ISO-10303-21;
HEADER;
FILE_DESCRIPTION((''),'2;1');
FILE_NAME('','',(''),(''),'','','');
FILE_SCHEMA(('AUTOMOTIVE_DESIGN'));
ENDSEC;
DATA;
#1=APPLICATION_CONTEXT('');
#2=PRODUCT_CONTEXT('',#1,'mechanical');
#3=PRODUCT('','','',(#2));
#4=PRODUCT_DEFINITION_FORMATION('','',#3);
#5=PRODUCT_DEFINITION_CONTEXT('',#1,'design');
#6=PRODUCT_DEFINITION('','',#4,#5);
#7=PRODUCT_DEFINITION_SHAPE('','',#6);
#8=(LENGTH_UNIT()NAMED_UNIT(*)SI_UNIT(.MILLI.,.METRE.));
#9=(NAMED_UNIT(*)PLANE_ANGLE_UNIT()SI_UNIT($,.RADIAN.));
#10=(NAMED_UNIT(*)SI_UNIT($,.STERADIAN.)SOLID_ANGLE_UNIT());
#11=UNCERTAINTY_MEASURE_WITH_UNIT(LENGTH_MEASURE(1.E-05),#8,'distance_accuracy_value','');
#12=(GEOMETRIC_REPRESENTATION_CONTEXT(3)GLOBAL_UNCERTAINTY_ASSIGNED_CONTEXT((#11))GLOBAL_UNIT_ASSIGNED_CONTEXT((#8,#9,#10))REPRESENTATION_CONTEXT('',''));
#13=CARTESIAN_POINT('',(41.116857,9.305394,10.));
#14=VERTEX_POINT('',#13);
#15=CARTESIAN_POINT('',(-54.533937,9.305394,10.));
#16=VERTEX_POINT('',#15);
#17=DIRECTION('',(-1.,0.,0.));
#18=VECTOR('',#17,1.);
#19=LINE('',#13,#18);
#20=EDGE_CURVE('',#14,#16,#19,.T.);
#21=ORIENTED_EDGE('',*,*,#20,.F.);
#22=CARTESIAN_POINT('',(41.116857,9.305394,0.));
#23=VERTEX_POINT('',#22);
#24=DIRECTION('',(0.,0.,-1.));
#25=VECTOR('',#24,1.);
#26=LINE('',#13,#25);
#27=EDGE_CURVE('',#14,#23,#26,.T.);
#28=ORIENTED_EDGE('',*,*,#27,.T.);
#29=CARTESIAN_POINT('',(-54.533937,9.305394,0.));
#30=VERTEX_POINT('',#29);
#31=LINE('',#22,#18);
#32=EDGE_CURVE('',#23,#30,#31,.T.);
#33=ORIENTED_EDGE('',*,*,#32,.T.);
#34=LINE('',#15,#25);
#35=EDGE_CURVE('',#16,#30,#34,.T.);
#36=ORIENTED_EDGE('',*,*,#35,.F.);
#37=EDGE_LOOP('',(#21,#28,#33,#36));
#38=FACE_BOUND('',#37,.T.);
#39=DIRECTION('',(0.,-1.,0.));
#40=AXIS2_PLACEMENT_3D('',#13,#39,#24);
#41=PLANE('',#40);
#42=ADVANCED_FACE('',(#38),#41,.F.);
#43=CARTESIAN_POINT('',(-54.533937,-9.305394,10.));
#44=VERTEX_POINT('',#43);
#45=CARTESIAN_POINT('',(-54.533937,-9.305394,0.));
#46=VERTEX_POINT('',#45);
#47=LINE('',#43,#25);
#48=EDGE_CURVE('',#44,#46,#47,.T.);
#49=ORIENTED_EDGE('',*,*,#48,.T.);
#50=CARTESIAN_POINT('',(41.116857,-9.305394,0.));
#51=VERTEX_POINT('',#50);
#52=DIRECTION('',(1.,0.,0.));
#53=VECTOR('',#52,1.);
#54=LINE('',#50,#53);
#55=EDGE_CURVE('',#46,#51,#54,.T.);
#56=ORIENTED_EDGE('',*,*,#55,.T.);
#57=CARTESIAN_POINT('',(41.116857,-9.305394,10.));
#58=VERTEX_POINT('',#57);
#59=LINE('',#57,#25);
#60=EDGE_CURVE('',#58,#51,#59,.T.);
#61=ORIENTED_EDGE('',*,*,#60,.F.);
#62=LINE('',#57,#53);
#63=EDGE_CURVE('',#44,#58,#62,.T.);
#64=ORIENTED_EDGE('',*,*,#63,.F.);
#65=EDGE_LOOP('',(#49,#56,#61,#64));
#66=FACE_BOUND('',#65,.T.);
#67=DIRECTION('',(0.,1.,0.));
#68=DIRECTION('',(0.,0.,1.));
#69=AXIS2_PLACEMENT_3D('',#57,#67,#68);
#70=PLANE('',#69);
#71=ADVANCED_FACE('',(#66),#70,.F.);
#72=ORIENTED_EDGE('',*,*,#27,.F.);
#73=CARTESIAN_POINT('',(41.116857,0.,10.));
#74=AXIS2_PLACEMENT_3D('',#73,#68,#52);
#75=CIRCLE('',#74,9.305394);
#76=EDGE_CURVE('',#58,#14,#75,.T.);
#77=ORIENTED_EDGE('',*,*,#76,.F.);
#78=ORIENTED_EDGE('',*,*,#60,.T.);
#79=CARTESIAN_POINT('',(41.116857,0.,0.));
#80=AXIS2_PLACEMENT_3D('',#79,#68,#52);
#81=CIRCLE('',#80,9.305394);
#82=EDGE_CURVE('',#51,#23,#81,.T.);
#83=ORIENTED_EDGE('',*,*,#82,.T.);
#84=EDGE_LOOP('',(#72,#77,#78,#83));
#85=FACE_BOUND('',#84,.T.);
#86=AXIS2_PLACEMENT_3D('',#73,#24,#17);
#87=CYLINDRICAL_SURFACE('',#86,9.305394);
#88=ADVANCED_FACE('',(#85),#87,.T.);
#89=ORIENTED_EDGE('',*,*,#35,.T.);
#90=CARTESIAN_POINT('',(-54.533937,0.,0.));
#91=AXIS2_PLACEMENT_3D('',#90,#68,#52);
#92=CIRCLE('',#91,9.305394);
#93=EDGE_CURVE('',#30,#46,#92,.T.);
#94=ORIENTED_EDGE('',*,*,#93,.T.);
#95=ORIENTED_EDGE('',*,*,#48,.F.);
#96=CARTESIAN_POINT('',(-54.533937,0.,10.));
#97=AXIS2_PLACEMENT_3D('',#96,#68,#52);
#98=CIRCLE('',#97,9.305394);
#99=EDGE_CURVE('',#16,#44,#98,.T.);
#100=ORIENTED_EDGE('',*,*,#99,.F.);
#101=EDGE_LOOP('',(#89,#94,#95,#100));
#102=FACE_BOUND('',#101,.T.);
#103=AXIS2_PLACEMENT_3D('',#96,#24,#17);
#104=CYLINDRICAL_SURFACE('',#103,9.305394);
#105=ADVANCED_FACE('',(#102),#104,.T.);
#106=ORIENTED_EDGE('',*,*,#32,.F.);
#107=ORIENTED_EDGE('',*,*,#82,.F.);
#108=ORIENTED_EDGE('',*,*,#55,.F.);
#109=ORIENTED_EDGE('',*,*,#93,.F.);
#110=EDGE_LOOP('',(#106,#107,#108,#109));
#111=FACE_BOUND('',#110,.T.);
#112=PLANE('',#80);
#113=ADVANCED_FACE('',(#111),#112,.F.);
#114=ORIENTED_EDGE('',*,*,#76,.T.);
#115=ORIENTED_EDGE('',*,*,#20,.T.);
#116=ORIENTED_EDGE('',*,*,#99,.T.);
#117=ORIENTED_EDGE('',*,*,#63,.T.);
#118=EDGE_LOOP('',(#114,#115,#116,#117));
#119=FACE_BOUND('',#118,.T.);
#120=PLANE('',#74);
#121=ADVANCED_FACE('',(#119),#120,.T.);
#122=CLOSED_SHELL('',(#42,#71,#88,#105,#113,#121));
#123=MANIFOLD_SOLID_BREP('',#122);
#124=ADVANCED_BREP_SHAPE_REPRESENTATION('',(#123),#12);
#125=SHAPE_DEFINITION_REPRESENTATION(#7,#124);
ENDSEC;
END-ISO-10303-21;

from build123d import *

# Parameters (mm, degrees)
BOSS_EXTRUDE1_DEPTH = 10


with BuildPart() as part:
    # Sketch1 → Boss-Extrude1 (new body)
    with BuildSketch(Plane.XY):
        with BuildLine():
            Line((41.116857141, -9.305393984), (-54.533936839, -9.305393984))
            ThreePointArc((-54.533936839, -9.305393984), (-63.839330824, 0), (-54.533936839, 9.305393984))
            Line((-54.533936839, 9.305393984), (41.116857141, 9.305393984))
            ThreePointArc((41.116857141, 9.305393984), (50.422251125, 0), (41.116857141, -9.305393984))
        make_face()
    extrude(amount=BOSS_EXTRUDE1_DEPTH)


solid = part.part
